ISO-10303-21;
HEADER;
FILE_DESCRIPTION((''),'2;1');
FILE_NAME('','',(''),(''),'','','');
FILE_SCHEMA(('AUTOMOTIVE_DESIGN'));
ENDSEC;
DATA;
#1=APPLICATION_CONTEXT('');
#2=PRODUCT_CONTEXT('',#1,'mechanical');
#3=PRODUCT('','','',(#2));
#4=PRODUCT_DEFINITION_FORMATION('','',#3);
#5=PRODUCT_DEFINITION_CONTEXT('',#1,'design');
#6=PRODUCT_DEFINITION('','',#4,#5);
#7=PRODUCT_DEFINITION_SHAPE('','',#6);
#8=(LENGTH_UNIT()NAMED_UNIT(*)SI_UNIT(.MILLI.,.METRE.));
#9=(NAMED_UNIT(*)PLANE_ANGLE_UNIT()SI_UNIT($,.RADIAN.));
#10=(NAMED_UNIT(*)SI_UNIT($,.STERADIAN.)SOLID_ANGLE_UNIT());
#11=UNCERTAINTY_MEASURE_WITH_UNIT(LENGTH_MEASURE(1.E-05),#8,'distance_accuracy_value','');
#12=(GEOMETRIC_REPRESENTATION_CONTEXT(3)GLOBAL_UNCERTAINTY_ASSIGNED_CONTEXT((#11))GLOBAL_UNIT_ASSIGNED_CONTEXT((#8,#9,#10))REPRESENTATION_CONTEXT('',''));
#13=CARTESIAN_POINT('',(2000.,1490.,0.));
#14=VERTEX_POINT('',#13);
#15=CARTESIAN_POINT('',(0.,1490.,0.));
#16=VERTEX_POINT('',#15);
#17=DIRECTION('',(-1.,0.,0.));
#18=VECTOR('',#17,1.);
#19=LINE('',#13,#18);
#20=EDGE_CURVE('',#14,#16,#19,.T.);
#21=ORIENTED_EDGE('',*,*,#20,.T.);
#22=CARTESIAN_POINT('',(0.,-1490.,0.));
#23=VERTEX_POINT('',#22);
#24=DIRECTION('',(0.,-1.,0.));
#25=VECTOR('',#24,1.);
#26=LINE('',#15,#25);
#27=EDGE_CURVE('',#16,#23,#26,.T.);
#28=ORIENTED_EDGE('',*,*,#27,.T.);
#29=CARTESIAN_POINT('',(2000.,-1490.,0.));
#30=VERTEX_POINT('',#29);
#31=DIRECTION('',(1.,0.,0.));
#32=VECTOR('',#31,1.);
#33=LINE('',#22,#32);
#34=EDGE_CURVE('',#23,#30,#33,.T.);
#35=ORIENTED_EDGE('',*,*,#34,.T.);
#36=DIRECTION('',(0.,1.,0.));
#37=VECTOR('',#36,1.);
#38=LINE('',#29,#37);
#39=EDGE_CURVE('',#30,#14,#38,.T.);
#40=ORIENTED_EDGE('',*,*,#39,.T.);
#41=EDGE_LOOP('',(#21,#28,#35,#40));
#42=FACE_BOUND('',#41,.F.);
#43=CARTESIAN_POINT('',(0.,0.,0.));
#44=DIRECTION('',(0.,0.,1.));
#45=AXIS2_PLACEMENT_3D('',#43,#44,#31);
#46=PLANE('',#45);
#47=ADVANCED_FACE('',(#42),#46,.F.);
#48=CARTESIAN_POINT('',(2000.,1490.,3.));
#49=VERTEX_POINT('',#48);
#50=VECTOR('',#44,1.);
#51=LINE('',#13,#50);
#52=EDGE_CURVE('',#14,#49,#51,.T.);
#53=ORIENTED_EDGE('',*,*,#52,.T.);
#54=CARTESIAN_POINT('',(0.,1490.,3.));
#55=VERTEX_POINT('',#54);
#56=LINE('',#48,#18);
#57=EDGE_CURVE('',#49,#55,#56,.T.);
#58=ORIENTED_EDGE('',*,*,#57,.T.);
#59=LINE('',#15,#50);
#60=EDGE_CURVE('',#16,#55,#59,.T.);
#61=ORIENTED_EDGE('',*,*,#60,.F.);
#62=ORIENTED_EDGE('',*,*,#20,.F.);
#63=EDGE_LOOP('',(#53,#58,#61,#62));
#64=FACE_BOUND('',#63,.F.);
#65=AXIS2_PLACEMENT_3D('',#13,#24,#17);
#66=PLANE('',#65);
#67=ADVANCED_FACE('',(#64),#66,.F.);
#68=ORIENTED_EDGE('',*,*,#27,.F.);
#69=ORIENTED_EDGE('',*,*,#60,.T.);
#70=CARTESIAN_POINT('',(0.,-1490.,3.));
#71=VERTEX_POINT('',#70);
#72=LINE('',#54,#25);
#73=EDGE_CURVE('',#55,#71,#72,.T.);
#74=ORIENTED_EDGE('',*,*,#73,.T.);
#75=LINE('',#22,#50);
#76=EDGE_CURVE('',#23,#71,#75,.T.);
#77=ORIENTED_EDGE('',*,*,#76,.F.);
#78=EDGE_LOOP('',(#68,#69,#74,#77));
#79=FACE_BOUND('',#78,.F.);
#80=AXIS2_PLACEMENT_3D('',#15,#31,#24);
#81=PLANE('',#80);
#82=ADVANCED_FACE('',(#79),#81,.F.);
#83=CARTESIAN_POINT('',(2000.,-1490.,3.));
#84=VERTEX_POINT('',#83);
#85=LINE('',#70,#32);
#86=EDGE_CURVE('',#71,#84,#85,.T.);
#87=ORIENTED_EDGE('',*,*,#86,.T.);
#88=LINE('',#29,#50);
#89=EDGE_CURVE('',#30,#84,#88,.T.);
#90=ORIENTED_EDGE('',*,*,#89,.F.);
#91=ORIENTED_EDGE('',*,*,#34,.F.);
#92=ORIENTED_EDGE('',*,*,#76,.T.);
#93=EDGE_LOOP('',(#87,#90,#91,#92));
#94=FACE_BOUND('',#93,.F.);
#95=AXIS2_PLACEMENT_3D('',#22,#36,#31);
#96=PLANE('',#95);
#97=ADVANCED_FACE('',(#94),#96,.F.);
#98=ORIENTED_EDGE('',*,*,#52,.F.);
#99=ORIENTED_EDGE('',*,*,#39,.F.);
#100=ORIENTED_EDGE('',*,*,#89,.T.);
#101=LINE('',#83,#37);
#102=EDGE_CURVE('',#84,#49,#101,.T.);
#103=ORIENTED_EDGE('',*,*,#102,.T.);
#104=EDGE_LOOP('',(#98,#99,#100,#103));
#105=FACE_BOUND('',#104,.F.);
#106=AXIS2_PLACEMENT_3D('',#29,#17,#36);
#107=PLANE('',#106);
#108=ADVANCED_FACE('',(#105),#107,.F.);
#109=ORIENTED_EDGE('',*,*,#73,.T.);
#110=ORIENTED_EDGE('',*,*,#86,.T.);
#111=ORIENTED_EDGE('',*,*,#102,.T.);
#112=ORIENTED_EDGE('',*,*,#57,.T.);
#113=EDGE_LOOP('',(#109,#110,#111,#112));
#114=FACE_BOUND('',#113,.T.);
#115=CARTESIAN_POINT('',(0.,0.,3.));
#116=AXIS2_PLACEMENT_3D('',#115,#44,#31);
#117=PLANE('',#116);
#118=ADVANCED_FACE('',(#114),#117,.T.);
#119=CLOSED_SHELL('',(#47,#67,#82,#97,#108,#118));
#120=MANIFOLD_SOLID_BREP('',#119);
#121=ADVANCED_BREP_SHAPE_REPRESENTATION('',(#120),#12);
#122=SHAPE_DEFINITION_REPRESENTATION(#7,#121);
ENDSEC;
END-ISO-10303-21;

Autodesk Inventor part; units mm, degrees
ref_plane "YZ Plane" through (0, 0, 0) normal (1, 0, 0) x (0, 1, 0)
ref_plane "XZ Plane" through (0, 0, 0) normal (0, 1, 0) x (-1, 0, 0)
ref_plane "XY Plane" through (0, 0, 0) normal (0, 0, 1) x (1, 0, 0)
sketch "Sketch1" plane through (0, 0, 0) normal (0, 0, 1) x (1, 0, 0)
  line L0 (0, -1490) -> (2000, -1490)
  line L1 (2000, -1490) -> (2000, 1490)
  line L2 (2000, 1490) -> (0, 1490)
  line L3 (0, 1490) -> (0, -1490)
  point P0 (0, 0)
  point P1 (0, 0)
  dimension "d0" = 2000
  dimension "d1" = 2980
extrude "Plate1" add sketch "Sketch1" along normal blind 3
equation "\"d2\" = Thickness"
equation "\"BendReliefWidth\" = Thickness"
equation "\"BendReliefDepth\" = 0.5 * Thickness"
equation "\"CornerReliefSize\" = 4 * Thickness"
equation "\"MinimumRemnant\" = 2 * Thickness"
equation "\"TransitionRadius\" = BendRadius"
equation "\"JacobiRadiusSize\" = BendRadius"
equation "\"GapSize\" = Thickness"
equation "\"Thickness\" = 3"
equation "\"BendRadius\" = 5"
properties part number "BSH 052 sheet in" material "09g2s"
